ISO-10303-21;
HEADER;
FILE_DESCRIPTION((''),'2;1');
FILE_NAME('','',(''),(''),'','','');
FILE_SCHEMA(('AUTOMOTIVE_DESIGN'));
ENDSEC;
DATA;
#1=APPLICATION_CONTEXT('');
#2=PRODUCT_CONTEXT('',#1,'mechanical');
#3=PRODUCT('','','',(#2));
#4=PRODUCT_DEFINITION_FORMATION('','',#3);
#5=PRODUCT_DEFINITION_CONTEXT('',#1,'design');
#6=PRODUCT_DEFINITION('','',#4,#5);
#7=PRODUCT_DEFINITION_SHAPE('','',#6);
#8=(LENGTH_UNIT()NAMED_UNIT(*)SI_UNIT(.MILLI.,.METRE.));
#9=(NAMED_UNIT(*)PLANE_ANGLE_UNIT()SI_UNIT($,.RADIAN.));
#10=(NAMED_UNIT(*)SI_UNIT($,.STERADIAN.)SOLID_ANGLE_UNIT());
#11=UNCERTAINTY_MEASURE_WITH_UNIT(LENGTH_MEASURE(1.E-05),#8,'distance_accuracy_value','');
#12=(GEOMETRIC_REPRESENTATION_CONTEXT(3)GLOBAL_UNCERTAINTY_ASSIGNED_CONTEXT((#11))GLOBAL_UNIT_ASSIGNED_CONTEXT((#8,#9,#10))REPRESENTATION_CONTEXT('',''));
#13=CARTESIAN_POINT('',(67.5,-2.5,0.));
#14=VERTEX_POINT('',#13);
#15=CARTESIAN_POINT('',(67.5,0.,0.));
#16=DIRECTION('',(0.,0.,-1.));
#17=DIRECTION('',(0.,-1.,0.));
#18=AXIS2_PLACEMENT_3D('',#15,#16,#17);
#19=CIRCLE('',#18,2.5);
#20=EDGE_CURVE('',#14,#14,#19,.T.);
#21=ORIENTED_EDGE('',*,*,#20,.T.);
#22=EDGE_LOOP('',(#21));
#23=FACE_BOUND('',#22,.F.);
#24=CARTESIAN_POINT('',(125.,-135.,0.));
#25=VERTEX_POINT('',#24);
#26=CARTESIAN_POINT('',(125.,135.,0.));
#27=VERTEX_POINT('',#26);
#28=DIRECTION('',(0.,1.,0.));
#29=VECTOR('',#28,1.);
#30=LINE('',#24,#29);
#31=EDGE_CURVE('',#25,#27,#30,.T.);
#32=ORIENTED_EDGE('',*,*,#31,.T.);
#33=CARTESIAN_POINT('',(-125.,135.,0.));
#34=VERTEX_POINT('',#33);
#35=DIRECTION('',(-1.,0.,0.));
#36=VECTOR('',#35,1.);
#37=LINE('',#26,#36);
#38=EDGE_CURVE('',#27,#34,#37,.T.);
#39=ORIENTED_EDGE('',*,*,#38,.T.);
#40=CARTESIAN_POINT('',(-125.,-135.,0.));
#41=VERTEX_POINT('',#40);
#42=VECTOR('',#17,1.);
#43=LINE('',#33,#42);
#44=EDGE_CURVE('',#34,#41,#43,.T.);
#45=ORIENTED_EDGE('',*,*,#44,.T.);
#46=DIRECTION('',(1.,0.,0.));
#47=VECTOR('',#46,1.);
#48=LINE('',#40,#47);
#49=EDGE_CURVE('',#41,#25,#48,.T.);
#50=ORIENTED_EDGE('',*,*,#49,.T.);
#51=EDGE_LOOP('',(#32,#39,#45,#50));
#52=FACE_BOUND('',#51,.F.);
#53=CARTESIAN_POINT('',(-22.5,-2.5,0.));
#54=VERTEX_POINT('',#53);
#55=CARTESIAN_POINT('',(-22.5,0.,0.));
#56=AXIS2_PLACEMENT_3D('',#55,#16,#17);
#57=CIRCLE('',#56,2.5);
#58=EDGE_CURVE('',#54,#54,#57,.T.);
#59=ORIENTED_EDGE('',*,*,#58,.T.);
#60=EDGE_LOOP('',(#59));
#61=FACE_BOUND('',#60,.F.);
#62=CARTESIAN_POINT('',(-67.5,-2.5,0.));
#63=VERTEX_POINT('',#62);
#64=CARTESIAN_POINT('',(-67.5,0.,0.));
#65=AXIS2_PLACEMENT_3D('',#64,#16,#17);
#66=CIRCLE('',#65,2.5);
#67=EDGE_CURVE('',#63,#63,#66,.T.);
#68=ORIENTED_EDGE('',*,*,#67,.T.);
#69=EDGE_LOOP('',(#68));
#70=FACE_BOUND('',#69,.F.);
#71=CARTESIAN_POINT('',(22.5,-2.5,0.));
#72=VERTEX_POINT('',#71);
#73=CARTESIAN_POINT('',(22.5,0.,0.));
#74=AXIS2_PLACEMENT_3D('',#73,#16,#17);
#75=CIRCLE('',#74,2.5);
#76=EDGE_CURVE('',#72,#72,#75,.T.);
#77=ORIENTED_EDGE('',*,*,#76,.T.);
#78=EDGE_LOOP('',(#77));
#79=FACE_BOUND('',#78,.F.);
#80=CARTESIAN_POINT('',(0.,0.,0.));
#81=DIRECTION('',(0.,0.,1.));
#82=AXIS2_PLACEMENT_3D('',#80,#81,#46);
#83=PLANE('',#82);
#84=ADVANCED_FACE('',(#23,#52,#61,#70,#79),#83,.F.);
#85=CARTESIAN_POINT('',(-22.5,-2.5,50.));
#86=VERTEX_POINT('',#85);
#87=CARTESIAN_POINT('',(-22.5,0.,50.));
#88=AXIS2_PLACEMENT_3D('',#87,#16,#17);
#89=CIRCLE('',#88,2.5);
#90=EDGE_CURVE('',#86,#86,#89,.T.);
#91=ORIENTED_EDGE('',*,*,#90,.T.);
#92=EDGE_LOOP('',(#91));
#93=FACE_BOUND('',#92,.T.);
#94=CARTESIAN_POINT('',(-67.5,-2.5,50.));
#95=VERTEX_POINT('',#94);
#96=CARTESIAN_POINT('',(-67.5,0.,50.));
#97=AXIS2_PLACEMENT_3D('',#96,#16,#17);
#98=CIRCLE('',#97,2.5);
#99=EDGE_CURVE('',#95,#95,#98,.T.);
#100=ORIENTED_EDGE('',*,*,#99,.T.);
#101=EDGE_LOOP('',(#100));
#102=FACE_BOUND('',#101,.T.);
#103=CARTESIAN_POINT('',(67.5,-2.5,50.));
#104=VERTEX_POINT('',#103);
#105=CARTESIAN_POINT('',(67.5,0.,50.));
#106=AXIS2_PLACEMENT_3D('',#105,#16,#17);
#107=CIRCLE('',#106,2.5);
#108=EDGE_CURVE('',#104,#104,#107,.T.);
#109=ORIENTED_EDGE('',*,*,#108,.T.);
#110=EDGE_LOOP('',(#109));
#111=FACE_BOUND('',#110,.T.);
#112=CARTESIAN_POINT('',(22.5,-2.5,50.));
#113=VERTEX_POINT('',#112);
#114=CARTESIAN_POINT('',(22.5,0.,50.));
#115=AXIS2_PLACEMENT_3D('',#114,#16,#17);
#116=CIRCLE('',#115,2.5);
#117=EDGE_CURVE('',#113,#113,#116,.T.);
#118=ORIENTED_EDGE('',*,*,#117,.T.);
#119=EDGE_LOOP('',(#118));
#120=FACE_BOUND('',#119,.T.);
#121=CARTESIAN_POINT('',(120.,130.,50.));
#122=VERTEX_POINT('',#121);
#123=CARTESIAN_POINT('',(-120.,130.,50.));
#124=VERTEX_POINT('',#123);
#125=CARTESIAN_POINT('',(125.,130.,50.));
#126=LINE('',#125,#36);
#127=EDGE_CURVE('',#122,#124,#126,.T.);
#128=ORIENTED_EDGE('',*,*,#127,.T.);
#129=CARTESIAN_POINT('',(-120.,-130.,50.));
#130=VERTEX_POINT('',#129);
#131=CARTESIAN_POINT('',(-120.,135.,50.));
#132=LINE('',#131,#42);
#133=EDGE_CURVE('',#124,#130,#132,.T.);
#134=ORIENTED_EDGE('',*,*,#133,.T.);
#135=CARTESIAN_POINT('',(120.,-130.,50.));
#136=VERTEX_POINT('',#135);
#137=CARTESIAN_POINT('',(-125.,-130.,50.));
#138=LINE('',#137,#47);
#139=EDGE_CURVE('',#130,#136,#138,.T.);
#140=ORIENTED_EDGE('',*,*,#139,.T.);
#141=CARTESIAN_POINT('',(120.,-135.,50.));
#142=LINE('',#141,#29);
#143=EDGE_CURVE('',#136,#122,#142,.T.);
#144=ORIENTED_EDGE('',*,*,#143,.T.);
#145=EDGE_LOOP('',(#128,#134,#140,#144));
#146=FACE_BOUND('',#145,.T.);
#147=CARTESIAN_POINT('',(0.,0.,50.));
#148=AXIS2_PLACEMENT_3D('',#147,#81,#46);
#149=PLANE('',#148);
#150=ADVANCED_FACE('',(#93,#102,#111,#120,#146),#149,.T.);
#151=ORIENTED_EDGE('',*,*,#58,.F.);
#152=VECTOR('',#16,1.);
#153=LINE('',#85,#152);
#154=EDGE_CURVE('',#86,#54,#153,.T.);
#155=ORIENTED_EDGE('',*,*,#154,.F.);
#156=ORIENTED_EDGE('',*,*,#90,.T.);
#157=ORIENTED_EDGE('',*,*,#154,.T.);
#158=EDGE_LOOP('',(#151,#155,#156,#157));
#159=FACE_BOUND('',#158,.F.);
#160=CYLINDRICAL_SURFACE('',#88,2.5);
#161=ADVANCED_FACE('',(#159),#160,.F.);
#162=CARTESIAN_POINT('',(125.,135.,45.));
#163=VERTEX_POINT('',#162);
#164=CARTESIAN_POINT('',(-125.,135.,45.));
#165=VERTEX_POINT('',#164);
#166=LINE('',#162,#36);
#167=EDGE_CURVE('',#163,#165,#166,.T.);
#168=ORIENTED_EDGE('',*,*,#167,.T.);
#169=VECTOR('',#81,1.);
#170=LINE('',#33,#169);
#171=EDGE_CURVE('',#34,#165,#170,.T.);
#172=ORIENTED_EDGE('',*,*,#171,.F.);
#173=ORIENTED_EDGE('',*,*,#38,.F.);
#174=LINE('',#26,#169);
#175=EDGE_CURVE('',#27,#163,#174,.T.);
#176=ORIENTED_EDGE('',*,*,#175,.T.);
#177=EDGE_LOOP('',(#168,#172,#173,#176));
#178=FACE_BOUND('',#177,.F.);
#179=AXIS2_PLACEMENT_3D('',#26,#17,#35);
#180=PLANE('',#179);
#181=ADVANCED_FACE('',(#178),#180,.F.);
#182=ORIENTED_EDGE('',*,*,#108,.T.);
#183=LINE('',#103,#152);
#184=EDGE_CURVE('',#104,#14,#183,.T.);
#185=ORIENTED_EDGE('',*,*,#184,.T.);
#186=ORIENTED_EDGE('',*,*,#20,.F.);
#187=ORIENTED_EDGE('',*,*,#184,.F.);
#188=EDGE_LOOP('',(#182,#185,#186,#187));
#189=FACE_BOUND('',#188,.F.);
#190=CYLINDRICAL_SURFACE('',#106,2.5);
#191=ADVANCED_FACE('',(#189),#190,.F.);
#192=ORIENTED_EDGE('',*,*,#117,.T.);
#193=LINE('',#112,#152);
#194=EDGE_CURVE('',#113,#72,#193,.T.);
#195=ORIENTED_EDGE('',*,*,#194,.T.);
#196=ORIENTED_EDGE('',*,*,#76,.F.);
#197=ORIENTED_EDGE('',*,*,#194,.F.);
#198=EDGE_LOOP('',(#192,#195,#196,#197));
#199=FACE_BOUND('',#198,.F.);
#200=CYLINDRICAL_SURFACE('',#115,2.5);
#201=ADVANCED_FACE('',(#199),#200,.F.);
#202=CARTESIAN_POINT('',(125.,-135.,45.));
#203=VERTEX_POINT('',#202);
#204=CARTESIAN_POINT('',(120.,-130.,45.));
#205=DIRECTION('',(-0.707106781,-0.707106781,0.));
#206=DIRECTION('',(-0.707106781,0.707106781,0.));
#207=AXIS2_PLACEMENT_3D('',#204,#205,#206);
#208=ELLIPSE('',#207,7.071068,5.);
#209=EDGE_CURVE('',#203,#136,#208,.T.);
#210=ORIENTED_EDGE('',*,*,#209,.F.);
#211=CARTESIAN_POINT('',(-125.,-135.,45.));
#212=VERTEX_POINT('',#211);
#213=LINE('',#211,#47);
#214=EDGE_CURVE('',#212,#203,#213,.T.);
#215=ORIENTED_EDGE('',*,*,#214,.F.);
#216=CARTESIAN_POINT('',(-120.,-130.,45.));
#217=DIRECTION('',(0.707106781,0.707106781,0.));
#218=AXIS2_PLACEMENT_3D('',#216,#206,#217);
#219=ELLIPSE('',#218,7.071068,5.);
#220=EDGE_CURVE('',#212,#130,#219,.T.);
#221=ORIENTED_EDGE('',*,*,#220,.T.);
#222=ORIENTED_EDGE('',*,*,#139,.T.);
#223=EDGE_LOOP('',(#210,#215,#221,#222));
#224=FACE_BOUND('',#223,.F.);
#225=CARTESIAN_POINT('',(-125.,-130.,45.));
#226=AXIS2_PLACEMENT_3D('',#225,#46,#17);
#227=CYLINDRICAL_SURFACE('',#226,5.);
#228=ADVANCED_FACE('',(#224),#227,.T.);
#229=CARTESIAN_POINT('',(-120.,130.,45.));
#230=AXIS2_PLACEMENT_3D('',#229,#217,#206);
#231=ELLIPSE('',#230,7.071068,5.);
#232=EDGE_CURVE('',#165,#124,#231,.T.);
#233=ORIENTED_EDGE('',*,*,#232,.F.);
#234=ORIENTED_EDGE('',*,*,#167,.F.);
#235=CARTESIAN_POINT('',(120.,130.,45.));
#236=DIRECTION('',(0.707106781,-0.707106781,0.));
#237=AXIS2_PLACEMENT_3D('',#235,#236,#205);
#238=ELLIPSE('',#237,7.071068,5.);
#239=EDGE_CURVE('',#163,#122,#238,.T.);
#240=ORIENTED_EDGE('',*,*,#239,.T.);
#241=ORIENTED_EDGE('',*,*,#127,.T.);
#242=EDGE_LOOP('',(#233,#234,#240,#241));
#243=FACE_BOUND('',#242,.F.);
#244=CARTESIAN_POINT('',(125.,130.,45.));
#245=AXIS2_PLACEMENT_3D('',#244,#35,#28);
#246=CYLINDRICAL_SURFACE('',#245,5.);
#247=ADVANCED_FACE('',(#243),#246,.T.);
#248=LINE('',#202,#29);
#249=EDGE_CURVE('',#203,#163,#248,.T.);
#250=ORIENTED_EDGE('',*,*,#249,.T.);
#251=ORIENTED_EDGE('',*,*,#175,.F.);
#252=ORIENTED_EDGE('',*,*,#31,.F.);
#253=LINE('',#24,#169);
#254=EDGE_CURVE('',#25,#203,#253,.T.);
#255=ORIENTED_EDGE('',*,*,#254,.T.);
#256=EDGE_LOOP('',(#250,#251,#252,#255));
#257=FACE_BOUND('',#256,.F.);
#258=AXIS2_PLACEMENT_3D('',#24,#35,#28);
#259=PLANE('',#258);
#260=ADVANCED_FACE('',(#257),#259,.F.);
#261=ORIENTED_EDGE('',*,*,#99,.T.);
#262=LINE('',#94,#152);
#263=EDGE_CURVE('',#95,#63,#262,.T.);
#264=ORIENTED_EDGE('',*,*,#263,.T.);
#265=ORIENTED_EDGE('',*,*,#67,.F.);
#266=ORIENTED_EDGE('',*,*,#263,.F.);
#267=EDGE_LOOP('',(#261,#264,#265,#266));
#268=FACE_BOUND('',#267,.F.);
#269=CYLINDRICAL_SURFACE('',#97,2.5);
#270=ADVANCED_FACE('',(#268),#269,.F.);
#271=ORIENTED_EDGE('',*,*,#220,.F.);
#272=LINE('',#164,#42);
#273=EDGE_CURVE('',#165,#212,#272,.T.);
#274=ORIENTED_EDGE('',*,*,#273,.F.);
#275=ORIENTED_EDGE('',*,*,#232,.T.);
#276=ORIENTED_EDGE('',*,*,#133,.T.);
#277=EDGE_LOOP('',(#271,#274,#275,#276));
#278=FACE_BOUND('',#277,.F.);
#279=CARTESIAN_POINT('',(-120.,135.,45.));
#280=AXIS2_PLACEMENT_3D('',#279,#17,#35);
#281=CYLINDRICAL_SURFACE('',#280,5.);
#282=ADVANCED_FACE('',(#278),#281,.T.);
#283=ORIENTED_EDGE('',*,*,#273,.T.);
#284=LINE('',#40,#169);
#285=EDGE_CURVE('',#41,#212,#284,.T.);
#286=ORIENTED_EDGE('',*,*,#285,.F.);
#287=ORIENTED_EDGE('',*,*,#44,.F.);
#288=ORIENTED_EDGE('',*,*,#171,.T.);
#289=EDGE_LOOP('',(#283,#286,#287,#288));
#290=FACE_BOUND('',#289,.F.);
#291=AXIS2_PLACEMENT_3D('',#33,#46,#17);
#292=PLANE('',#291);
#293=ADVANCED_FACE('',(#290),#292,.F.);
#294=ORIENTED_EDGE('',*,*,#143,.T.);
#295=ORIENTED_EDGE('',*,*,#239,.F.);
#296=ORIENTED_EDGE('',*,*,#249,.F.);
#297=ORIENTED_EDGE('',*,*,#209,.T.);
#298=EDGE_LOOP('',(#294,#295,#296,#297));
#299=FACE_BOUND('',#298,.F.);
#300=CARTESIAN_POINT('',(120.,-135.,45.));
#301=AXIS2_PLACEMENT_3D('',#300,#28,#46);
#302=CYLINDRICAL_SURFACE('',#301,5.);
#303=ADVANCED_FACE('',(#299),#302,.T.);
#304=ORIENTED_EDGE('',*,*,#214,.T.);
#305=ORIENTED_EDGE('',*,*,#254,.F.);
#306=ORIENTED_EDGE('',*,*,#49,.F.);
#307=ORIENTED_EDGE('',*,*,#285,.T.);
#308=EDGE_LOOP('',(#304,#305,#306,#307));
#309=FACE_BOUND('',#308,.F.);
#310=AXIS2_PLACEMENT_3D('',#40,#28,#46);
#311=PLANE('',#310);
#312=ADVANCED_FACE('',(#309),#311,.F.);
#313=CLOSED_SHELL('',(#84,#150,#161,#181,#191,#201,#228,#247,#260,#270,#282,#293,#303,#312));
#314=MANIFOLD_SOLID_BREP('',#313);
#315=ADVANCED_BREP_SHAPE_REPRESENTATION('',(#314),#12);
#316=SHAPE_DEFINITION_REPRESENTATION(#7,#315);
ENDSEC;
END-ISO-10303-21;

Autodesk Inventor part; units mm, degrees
ref_plane "YZ Plane" through (0, 0, 0) normal (1, 0, 0) x (0, 1, 0)
ref_plane "XZ Plane" through (0, 0, 0) normal (0, 1, 0) x (-1, 0, 0)
ref_plane "XY Plane" through (0, 0, 0) normal (0, 0, 1) x (1, 0, 0)
sketch "Sketch1" plane through (0, 0, 0) normal (0, 0, 1) x (1, 0, 0)
  line L0 (-125, -135) -> (125, -135)
  line L1 (125, -135) -> (125, 135)
  line L2 (125, 135) -> (-125, 135)
  line L3 (-125, 135) -> (-125, -135)
  line L4 (-125, -135) -> (125, 135) construction
  line L5 (125, -135) -> (-125, 135) construction
  point P0 (0, 0)
  dimension "d0" = 270
  dimension "d1" = 250
extrude "Extrusion1" add sketch "Sketch1" along normal blind 50
fillet "Fillet1" radius 5 4 edges at (0, 135, 50) (125, 0, 50) (0, -135, 50) (-125, 0, 50)
sketch "Sketch2" plane through (0, 0, 50) normal (0, 0, 1) x (1, 0, 0)
  line L0 (125, 135) -> (-125, 135) projected
  line L1 (-125, 135) -> (-125, -135) projected
  point P0 (0, 0)
  point P1 (-67.5, 0)
  point P2 (-22.5, 0)
  point P3 (22.5, 0)
  point P4 (67.5, 0)
  point P5 (-125, 0)
  dimension "d5" = 135
  dimension "d6" = 45
  dimension "d7" = 45
  dimension "d8" = 45
  dimension "d10" = 67.5
hole "Hole1" at (-67.5, 0, 50) at (-22.5, 0, 50) at (22.5, 0, 50) at (67.5, 0, 50) direction (0, 0, -1) diameter 5 depth 50
equation "\"d7\" = d6"
equation "\"d8\" = d6"
properties part number "Block" material "Wood (Cherry)"
